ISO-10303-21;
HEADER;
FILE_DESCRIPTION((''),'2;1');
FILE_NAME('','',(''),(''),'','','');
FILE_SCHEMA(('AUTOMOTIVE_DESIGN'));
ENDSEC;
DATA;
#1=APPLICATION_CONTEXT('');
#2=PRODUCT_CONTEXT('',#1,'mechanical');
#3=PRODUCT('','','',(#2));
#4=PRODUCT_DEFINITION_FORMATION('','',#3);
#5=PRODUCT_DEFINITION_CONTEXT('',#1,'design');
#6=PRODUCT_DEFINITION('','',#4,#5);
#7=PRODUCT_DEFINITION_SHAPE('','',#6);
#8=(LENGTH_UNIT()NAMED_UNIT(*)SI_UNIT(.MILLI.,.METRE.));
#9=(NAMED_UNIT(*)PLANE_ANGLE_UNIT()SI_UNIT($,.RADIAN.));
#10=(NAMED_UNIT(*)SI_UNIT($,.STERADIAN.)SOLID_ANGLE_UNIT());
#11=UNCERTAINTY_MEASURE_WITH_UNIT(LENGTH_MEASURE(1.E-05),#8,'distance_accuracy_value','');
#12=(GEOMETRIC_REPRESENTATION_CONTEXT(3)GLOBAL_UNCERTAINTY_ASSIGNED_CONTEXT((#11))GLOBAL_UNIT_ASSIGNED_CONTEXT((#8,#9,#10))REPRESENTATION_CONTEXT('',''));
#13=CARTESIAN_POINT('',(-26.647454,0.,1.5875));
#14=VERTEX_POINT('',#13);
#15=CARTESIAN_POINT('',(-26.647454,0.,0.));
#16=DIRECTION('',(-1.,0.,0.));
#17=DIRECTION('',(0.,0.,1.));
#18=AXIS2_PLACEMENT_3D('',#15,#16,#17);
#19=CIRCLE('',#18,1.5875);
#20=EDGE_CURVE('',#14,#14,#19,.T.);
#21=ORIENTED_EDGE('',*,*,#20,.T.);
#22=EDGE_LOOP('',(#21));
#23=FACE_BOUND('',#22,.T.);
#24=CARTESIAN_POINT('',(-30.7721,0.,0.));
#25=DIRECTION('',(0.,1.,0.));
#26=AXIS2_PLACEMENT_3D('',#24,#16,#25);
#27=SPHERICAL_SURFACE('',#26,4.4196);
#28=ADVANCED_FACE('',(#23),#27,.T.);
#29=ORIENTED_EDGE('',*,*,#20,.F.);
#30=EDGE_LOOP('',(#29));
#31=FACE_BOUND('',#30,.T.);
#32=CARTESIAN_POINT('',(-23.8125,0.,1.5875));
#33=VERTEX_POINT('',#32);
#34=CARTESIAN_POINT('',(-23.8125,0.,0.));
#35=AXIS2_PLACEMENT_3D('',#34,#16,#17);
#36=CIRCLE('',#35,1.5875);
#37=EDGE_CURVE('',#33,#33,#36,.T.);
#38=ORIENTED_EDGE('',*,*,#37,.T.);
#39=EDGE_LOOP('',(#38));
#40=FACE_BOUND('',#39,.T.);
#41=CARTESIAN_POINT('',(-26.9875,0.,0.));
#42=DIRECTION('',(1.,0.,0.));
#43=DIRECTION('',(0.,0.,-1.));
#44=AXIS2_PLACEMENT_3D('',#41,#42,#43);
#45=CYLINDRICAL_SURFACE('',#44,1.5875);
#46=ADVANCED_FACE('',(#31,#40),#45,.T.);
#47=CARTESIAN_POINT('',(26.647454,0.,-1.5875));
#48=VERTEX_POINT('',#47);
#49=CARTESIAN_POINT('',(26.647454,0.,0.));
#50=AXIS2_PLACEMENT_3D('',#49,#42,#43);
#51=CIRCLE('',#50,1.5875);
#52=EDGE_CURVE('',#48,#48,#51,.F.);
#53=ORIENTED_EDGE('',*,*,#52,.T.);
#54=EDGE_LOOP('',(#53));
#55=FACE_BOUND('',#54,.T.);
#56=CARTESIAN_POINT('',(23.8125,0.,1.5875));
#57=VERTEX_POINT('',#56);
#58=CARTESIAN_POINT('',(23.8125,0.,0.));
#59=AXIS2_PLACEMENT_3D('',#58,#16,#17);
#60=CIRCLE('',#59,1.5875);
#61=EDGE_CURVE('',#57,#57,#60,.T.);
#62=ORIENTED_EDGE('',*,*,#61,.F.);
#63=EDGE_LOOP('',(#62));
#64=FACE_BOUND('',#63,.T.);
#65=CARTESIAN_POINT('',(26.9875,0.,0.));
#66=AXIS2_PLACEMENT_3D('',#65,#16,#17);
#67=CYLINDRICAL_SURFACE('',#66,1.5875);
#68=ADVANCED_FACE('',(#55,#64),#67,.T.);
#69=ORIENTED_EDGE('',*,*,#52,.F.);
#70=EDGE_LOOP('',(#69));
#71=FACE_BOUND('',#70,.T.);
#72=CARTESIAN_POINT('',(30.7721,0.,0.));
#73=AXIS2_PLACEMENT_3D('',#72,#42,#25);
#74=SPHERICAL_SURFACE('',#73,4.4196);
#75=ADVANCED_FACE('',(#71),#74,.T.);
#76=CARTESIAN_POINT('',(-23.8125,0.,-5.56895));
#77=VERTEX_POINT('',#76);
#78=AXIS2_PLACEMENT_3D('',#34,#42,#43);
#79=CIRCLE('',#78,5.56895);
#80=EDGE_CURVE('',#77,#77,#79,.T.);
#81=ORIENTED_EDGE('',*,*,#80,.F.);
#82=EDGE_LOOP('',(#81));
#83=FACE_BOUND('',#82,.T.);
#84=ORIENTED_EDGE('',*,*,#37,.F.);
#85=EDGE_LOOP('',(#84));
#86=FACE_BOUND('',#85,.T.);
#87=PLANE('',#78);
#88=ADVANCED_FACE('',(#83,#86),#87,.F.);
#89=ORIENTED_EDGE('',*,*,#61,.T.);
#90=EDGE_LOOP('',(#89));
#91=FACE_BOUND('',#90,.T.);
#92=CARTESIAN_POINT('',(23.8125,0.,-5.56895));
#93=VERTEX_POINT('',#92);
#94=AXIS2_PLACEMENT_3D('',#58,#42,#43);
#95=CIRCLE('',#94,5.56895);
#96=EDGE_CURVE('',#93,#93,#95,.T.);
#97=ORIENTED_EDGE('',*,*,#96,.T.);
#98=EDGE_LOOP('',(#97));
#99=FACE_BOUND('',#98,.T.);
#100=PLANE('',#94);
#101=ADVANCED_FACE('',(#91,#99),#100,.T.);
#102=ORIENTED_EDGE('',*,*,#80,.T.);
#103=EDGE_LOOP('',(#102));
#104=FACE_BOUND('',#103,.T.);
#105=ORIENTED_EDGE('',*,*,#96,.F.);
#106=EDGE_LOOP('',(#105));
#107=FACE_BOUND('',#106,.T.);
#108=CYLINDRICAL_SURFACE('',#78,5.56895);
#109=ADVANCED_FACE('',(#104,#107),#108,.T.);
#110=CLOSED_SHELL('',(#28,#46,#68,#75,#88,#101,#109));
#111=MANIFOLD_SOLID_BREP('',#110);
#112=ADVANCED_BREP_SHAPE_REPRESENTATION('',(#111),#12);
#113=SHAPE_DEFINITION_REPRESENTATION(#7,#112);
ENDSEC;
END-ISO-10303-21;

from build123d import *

# Parameters (mm, degrees)
SKETCH1_R           = 5.56895
BOSS_EXTRUDE1_DEPTH = 23.8125
SKETCH2_R           = 1.5875
BOSS_EXTRUDE2_DEPTH = 3.175


with BuildPart() as part:
    # Sketch1 → Boss-Extrude1 (new, symmetric)
    with BuildSketch(Plane(origin=(0, 0, 0), x_dir=(0, 0, -1), z_dir=(1, 0, 0))):
        Circle(SKETCH1_R)
    extrude(amount=BOSS_EXTRUDE1_DEPTH, both=True)

    # Sketch2 → Boss-Extrude2 (add)
    with BuildSketch(Plane.ZY.offset(23.8125)):
        Circle(SKETCH2_R)
    boss_extrude2 = extrude(amount=BOSS_EXTRUDE2_DEPTH)

    # Sketch5 → Revolve1 (revolve)
    with BuildSketch(Plane.XY):
        with BuildLine():
            Line((-35.1917, 0), (-26.3525, 0))
            ThreePointArc((-26.3525, 0), (-30.7721, 4.4196), (-35.1917, 0))
        make_face()
    revolve1 = revolve(axis=Axis((-35.1917, 0, 0), (1, 0, 0)))

    # Mirror2: Boss-Extrude2, Revolve1 across plane
    add(boss_extrude2.mirror(Plane(origin=(0, 0, 0), x_dir=(0, 0, 1), z_dir=(1, 0, 0))))
    add(revolve1.mirror(Plane(origin=(0, 0, 0), x_dir=(0, 0, 1), z_dir=(1, 0, 0))))


solid = part.part
